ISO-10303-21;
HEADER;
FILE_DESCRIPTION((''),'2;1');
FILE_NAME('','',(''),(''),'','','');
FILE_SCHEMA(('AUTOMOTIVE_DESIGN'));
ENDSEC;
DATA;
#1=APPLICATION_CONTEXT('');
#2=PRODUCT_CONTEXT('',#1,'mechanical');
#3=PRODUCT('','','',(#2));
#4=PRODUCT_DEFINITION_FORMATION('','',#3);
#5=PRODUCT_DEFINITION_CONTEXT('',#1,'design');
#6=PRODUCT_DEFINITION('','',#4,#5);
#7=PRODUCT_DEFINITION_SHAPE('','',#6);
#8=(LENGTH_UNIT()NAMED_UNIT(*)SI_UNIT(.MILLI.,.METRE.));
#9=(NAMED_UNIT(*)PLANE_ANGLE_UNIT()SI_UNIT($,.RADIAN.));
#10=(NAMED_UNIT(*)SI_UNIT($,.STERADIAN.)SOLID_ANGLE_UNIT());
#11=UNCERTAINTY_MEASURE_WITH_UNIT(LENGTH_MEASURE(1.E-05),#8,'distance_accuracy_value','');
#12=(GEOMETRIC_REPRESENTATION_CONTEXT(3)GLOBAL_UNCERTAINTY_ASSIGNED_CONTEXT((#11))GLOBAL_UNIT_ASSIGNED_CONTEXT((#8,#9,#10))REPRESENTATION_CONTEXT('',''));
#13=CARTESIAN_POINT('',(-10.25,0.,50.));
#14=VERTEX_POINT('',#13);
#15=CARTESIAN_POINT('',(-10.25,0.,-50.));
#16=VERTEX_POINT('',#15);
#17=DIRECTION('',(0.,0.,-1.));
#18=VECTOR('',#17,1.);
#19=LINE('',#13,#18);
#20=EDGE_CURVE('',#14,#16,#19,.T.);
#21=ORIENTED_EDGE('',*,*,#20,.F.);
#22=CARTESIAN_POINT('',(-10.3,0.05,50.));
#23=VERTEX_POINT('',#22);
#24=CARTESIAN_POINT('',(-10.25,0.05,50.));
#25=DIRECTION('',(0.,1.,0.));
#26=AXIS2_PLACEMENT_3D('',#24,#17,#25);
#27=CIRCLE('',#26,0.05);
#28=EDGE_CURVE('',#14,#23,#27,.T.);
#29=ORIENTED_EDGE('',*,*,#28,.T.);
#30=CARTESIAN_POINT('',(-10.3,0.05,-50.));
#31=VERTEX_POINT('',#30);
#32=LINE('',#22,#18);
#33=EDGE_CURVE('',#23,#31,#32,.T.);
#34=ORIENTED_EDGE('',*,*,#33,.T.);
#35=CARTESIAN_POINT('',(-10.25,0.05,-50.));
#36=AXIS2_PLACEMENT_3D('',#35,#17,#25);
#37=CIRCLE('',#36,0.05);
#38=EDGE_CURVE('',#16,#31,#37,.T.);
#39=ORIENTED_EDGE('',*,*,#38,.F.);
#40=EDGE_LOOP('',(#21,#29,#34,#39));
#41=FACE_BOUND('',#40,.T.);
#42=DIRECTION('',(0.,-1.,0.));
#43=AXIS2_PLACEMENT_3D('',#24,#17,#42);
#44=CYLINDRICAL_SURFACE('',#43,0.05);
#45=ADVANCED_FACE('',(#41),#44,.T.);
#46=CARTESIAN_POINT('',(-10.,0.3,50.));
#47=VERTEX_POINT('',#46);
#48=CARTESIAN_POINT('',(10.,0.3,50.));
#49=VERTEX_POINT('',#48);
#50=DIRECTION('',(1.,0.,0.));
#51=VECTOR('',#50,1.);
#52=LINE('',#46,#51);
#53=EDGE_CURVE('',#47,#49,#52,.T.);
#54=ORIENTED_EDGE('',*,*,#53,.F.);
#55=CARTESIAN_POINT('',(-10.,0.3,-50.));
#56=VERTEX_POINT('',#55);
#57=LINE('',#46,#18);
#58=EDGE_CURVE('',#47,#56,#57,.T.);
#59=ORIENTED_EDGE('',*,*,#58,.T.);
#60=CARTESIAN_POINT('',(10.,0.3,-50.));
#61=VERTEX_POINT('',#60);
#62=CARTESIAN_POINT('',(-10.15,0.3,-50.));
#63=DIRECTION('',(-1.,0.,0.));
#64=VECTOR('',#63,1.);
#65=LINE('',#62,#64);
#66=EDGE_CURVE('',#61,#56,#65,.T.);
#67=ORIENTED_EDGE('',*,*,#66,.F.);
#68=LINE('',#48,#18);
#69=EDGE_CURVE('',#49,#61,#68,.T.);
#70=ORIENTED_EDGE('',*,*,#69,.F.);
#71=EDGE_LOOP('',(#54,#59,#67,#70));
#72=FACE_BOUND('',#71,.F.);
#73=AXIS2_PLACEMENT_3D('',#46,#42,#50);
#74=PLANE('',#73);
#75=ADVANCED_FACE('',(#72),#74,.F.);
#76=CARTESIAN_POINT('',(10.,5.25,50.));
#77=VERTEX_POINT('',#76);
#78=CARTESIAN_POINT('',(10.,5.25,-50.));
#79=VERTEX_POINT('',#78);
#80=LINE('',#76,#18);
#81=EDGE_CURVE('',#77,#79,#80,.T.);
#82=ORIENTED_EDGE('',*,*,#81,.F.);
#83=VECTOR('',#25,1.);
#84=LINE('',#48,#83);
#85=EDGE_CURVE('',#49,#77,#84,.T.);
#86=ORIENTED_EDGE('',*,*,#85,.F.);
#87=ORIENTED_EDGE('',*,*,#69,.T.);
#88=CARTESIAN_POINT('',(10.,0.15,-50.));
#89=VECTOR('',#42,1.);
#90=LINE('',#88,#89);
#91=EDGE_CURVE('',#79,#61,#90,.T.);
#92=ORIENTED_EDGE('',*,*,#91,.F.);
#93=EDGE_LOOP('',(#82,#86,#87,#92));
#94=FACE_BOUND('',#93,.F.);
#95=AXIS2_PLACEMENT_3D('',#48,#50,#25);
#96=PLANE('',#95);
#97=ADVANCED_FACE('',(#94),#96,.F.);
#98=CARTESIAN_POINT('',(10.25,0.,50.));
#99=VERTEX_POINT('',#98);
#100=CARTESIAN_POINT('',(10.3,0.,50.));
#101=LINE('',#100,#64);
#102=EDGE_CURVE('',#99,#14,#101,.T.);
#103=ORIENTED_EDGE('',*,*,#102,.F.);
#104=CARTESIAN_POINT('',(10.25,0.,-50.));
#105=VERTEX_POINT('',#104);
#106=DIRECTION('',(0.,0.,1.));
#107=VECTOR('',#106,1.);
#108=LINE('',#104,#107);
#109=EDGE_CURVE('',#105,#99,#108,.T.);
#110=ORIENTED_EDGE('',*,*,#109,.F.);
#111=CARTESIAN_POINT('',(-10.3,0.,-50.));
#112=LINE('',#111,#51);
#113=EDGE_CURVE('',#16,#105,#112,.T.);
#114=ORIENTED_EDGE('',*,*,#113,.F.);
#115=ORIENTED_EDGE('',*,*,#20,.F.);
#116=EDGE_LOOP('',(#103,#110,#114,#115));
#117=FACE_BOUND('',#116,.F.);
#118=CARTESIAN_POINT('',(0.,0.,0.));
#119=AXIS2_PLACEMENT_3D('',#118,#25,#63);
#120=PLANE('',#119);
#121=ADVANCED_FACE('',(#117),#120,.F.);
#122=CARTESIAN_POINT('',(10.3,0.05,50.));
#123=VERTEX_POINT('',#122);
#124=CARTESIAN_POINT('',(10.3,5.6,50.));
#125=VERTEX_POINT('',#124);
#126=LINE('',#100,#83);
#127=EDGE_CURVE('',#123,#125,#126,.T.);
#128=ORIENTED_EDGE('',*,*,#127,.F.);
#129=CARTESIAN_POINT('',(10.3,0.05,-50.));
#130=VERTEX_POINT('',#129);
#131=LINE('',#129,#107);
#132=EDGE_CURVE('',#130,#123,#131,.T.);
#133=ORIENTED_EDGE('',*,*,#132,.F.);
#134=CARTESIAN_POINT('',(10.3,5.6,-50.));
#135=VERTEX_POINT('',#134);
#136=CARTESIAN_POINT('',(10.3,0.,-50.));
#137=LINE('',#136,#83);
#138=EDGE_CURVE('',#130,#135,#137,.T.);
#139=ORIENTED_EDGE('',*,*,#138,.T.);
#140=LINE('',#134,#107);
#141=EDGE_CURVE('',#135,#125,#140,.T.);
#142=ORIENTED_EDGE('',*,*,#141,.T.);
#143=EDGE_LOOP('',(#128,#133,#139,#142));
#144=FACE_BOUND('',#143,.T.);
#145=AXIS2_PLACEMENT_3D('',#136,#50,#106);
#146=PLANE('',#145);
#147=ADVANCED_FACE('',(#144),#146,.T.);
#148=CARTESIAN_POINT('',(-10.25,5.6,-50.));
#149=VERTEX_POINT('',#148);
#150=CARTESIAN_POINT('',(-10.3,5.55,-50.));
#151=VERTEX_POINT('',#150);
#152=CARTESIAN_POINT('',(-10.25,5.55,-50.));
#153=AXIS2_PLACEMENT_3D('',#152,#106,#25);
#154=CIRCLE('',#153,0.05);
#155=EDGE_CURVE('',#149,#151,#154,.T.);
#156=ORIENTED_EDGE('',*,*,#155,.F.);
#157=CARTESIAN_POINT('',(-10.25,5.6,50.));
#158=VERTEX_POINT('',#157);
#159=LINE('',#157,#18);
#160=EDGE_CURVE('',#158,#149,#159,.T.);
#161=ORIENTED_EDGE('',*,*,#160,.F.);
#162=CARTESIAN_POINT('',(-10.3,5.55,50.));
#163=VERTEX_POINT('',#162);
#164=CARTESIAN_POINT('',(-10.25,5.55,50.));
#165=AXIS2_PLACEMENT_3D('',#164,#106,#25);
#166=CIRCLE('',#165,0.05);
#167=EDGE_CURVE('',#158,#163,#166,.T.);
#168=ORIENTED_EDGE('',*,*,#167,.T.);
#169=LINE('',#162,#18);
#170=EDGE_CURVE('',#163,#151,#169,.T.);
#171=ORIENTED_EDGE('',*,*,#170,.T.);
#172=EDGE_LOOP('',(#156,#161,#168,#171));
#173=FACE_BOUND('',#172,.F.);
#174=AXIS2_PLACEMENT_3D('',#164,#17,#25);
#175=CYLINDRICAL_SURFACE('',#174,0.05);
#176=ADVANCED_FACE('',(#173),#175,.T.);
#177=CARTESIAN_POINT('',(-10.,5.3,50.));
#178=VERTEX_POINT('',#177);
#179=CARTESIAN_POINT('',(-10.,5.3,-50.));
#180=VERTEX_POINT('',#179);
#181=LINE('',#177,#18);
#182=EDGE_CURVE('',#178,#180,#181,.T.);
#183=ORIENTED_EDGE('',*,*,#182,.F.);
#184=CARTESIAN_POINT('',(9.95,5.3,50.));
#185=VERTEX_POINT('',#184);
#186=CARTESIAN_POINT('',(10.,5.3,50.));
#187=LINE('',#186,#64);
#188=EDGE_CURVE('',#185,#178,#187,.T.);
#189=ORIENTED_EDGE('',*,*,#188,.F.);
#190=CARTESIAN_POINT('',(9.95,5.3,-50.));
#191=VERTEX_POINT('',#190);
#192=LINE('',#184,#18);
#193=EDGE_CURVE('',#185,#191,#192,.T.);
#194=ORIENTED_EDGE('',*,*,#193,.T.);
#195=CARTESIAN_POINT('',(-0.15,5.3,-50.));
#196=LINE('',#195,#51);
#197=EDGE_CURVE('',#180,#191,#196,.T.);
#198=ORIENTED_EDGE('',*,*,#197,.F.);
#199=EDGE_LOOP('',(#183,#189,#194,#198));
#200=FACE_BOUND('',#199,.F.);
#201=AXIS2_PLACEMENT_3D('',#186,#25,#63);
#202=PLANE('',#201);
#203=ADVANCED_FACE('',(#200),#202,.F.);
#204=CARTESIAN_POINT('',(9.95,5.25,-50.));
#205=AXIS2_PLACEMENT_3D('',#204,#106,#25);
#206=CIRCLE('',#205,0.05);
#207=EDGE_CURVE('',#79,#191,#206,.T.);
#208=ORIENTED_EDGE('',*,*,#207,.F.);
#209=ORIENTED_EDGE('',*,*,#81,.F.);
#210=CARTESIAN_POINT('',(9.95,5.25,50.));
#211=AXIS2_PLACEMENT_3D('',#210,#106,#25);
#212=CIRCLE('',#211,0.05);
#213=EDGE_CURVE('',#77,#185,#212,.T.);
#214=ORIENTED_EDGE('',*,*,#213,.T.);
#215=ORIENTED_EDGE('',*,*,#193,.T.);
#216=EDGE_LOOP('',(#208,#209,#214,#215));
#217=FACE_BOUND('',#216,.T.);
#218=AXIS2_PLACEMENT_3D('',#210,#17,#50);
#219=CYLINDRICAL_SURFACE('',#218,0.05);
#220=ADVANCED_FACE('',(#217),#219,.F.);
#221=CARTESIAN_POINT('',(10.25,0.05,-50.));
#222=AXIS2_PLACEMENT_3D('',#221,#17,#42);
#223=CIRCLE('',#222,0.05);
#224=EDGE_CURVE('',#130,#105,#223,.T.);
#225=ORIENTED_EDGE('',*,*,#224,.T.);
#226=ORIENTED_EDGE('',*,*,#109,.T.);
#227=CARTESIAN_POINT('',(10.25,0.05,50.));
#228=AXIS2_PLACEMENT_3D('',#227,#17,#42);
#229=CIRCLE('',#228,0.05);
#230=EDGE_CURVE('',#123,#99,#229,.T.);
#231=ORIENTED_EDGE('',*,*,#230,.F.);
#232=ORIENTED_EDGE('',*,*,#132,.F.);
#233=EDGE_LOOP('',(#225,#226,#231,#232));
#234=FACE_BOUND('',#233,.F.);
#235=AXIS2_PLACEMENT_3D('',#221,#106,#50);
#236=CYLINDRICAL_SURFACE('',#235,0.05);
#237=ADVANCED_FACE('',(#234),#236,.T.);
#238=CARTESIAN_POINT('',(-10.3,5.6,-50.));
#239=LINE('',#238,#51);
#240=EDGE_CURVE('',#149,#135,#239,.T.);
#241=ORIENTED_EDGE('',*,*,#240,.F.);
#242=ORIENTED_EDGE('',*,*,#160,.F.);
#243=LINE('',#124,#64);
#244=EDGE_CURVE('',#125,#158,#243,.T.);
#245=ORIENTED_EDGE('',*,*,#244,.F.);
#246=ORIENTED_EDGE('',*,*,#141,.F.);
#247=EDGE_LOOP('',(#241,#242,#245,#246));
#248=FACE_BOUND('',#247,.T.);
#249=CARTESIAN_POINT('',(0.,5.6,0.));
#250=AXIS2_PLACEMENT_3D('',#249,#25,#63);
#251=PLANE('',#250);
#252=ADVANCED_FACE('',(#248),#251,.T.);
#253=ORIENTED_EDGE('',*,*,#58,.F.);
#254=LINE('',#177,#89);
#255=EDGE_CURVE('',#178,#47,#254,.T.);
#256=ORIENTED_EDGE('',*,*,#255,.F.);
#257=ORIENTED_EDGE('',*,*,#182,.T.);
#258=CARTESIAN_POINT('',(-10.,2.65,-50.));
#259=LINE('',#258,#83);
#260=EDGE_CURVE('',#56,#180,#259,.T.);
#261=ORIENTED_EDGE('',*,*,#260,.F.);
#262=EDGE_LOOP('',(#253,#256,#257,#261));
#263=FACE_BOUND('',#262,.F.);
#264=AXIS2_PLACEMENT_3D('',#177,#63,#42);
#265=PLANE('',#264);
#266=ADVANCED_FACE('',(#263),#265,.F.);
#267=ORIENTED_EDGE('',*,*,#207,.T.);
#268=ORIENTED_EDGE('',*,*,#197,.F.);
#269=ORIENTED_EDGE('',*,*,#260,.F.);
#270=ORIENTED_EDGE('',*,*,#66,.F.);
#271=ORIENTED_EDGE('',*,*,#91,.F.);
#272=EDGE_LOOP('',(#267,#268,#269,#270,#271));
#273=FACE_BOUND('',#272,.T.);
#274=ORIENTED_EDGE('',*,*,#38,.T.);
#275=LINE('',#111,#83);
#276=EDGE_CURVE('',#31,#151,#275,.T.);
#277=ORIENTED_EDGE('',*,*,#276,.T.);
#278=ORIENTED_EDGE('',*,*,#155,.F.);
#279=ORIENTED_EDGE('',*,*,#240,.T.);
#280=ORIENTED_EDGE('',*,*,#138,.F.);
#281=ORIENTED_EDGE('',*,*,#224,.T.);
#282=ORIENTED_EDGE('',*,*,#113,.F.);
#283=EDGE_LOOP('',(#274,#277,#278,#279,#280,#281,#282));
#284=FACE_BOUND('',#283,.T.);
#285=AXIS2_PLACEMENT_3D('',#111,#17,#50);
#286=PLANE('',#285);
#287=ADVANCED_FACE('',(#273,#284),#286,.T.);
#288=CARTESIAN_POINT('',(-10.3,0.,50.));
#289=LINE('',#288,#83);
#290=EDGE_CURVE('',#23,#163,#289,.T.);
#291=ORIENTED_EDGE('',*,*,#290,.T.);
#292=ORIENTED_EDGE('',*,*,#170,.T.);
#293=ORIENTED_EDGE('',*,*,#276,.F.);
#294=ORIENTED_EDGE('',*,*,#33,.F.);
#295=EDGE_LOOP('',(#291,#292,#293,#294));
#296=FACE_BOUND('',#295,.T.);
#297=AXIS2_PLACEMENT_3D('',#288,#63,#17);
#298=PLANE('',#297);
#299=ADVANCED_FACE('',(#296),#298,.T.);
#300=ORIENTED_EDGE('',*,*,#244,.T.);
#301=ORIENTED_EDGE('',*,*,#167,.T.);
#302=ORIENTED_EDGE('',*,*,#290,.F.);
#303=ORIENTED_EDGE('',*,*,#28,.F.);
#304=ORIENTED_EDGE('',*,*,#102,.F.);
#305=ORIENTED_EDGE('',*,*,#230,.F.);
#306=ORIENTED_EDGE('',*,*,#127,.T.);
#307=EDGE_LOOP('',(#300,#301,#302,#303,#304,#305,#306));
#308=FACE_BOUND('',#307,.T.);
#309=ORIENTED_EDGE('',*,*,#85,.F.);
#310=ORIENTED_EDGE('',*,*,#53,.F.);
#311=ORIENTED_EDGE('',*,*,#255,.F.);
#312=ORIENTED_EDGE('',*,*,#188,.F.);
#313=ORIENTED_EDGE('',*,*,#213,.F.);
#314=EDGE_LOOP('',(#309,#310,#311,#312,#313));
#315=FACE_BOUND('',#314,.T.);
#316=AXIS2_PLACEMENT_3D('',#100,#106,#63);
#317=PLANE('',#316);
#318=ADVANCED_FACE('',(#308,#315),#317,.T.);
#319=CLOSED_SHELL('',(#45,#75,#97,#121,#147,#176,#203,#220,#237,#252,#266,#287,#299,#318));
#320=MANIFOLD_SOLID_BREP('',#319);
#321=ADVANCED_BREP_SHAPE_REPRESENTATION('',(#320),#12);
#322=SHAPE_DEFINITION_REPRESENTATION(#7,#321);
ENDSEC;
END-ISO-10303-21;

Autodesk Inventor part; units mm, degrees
ref_plane "YZ Plane" through (0, 0, 0) normal (1, 0, 0) x (0, 1, 0)
ref_plane "XZ Plane" through (0, 0, 0) normal (0, 1, 0) x (-1, 0, 0)
ref_plane "XY Plane" through (0, 0, 0) normal (0, 0, 1) x (1, 0, 0)
sketch "Sketch1" plane through (0, 0, 0) normal (0, 1, 0) x (-1, 0, 0)
  line L0 (-10.3, 50) -> (10.3, 50)
  line L1 (10.3, 50) -> (10.3, -50)
  line L2 (10.3, -50) -> (-10.3, -50)
  line L3 (-10.3, -50) -> (-10.3, 50)
  line L4 (-10.3, 50) -> (10.3, -50) construction
  line L5 (10.3, 50) -> (-10.3, -50) construction
  point P0 (0, 0)
  dimension "d0" = 100
  dimension "d1" = 20.6
extrude "Extrusion1" add sketch "Sketch1" along normal blind 5.6
sketch "Sketch2" plane through (-10.3, 0, 50) normal (0, 0, 1) x (1, 0, 0)
  line L0 (0.3, 0.3) -> (20.3, 0.3)
  line L1 (20.3, 0.3) -> (20.3, 5.3)
  line L2 (20.3, 5.3) -> (0.3, 5.3)
  line L3 (0.3, 5.3) -> (0.3, 0.3)
  line L4 (0, 0) -> (20.6, 0) projected
  line L5 (0, 5.6) -> (20.6, 5.6) projected
  line L6 (20.6, 0) -> (20.6, 5.6) projected
  line L7 (0, 0) -> (0, 5.6) projected
  point P0 (10.3, 0)
  dimension "d4" = 0.3
  dimension "d5" = 0.3
  dimension "d6" = 0.3
  dimension "d7" = 0.3
extrude "Extrusion2" cut sketch "Sketch2" against normal through all contours L3 L2 L1 L0
fillet "Fillet1" radius 0.05 4 edges at (-10.3, 5.6, 0) (-10.3, 0, 0) (10, 5.3, 0) (10.3, 0, 0)
properties part number "RubberPiece"
